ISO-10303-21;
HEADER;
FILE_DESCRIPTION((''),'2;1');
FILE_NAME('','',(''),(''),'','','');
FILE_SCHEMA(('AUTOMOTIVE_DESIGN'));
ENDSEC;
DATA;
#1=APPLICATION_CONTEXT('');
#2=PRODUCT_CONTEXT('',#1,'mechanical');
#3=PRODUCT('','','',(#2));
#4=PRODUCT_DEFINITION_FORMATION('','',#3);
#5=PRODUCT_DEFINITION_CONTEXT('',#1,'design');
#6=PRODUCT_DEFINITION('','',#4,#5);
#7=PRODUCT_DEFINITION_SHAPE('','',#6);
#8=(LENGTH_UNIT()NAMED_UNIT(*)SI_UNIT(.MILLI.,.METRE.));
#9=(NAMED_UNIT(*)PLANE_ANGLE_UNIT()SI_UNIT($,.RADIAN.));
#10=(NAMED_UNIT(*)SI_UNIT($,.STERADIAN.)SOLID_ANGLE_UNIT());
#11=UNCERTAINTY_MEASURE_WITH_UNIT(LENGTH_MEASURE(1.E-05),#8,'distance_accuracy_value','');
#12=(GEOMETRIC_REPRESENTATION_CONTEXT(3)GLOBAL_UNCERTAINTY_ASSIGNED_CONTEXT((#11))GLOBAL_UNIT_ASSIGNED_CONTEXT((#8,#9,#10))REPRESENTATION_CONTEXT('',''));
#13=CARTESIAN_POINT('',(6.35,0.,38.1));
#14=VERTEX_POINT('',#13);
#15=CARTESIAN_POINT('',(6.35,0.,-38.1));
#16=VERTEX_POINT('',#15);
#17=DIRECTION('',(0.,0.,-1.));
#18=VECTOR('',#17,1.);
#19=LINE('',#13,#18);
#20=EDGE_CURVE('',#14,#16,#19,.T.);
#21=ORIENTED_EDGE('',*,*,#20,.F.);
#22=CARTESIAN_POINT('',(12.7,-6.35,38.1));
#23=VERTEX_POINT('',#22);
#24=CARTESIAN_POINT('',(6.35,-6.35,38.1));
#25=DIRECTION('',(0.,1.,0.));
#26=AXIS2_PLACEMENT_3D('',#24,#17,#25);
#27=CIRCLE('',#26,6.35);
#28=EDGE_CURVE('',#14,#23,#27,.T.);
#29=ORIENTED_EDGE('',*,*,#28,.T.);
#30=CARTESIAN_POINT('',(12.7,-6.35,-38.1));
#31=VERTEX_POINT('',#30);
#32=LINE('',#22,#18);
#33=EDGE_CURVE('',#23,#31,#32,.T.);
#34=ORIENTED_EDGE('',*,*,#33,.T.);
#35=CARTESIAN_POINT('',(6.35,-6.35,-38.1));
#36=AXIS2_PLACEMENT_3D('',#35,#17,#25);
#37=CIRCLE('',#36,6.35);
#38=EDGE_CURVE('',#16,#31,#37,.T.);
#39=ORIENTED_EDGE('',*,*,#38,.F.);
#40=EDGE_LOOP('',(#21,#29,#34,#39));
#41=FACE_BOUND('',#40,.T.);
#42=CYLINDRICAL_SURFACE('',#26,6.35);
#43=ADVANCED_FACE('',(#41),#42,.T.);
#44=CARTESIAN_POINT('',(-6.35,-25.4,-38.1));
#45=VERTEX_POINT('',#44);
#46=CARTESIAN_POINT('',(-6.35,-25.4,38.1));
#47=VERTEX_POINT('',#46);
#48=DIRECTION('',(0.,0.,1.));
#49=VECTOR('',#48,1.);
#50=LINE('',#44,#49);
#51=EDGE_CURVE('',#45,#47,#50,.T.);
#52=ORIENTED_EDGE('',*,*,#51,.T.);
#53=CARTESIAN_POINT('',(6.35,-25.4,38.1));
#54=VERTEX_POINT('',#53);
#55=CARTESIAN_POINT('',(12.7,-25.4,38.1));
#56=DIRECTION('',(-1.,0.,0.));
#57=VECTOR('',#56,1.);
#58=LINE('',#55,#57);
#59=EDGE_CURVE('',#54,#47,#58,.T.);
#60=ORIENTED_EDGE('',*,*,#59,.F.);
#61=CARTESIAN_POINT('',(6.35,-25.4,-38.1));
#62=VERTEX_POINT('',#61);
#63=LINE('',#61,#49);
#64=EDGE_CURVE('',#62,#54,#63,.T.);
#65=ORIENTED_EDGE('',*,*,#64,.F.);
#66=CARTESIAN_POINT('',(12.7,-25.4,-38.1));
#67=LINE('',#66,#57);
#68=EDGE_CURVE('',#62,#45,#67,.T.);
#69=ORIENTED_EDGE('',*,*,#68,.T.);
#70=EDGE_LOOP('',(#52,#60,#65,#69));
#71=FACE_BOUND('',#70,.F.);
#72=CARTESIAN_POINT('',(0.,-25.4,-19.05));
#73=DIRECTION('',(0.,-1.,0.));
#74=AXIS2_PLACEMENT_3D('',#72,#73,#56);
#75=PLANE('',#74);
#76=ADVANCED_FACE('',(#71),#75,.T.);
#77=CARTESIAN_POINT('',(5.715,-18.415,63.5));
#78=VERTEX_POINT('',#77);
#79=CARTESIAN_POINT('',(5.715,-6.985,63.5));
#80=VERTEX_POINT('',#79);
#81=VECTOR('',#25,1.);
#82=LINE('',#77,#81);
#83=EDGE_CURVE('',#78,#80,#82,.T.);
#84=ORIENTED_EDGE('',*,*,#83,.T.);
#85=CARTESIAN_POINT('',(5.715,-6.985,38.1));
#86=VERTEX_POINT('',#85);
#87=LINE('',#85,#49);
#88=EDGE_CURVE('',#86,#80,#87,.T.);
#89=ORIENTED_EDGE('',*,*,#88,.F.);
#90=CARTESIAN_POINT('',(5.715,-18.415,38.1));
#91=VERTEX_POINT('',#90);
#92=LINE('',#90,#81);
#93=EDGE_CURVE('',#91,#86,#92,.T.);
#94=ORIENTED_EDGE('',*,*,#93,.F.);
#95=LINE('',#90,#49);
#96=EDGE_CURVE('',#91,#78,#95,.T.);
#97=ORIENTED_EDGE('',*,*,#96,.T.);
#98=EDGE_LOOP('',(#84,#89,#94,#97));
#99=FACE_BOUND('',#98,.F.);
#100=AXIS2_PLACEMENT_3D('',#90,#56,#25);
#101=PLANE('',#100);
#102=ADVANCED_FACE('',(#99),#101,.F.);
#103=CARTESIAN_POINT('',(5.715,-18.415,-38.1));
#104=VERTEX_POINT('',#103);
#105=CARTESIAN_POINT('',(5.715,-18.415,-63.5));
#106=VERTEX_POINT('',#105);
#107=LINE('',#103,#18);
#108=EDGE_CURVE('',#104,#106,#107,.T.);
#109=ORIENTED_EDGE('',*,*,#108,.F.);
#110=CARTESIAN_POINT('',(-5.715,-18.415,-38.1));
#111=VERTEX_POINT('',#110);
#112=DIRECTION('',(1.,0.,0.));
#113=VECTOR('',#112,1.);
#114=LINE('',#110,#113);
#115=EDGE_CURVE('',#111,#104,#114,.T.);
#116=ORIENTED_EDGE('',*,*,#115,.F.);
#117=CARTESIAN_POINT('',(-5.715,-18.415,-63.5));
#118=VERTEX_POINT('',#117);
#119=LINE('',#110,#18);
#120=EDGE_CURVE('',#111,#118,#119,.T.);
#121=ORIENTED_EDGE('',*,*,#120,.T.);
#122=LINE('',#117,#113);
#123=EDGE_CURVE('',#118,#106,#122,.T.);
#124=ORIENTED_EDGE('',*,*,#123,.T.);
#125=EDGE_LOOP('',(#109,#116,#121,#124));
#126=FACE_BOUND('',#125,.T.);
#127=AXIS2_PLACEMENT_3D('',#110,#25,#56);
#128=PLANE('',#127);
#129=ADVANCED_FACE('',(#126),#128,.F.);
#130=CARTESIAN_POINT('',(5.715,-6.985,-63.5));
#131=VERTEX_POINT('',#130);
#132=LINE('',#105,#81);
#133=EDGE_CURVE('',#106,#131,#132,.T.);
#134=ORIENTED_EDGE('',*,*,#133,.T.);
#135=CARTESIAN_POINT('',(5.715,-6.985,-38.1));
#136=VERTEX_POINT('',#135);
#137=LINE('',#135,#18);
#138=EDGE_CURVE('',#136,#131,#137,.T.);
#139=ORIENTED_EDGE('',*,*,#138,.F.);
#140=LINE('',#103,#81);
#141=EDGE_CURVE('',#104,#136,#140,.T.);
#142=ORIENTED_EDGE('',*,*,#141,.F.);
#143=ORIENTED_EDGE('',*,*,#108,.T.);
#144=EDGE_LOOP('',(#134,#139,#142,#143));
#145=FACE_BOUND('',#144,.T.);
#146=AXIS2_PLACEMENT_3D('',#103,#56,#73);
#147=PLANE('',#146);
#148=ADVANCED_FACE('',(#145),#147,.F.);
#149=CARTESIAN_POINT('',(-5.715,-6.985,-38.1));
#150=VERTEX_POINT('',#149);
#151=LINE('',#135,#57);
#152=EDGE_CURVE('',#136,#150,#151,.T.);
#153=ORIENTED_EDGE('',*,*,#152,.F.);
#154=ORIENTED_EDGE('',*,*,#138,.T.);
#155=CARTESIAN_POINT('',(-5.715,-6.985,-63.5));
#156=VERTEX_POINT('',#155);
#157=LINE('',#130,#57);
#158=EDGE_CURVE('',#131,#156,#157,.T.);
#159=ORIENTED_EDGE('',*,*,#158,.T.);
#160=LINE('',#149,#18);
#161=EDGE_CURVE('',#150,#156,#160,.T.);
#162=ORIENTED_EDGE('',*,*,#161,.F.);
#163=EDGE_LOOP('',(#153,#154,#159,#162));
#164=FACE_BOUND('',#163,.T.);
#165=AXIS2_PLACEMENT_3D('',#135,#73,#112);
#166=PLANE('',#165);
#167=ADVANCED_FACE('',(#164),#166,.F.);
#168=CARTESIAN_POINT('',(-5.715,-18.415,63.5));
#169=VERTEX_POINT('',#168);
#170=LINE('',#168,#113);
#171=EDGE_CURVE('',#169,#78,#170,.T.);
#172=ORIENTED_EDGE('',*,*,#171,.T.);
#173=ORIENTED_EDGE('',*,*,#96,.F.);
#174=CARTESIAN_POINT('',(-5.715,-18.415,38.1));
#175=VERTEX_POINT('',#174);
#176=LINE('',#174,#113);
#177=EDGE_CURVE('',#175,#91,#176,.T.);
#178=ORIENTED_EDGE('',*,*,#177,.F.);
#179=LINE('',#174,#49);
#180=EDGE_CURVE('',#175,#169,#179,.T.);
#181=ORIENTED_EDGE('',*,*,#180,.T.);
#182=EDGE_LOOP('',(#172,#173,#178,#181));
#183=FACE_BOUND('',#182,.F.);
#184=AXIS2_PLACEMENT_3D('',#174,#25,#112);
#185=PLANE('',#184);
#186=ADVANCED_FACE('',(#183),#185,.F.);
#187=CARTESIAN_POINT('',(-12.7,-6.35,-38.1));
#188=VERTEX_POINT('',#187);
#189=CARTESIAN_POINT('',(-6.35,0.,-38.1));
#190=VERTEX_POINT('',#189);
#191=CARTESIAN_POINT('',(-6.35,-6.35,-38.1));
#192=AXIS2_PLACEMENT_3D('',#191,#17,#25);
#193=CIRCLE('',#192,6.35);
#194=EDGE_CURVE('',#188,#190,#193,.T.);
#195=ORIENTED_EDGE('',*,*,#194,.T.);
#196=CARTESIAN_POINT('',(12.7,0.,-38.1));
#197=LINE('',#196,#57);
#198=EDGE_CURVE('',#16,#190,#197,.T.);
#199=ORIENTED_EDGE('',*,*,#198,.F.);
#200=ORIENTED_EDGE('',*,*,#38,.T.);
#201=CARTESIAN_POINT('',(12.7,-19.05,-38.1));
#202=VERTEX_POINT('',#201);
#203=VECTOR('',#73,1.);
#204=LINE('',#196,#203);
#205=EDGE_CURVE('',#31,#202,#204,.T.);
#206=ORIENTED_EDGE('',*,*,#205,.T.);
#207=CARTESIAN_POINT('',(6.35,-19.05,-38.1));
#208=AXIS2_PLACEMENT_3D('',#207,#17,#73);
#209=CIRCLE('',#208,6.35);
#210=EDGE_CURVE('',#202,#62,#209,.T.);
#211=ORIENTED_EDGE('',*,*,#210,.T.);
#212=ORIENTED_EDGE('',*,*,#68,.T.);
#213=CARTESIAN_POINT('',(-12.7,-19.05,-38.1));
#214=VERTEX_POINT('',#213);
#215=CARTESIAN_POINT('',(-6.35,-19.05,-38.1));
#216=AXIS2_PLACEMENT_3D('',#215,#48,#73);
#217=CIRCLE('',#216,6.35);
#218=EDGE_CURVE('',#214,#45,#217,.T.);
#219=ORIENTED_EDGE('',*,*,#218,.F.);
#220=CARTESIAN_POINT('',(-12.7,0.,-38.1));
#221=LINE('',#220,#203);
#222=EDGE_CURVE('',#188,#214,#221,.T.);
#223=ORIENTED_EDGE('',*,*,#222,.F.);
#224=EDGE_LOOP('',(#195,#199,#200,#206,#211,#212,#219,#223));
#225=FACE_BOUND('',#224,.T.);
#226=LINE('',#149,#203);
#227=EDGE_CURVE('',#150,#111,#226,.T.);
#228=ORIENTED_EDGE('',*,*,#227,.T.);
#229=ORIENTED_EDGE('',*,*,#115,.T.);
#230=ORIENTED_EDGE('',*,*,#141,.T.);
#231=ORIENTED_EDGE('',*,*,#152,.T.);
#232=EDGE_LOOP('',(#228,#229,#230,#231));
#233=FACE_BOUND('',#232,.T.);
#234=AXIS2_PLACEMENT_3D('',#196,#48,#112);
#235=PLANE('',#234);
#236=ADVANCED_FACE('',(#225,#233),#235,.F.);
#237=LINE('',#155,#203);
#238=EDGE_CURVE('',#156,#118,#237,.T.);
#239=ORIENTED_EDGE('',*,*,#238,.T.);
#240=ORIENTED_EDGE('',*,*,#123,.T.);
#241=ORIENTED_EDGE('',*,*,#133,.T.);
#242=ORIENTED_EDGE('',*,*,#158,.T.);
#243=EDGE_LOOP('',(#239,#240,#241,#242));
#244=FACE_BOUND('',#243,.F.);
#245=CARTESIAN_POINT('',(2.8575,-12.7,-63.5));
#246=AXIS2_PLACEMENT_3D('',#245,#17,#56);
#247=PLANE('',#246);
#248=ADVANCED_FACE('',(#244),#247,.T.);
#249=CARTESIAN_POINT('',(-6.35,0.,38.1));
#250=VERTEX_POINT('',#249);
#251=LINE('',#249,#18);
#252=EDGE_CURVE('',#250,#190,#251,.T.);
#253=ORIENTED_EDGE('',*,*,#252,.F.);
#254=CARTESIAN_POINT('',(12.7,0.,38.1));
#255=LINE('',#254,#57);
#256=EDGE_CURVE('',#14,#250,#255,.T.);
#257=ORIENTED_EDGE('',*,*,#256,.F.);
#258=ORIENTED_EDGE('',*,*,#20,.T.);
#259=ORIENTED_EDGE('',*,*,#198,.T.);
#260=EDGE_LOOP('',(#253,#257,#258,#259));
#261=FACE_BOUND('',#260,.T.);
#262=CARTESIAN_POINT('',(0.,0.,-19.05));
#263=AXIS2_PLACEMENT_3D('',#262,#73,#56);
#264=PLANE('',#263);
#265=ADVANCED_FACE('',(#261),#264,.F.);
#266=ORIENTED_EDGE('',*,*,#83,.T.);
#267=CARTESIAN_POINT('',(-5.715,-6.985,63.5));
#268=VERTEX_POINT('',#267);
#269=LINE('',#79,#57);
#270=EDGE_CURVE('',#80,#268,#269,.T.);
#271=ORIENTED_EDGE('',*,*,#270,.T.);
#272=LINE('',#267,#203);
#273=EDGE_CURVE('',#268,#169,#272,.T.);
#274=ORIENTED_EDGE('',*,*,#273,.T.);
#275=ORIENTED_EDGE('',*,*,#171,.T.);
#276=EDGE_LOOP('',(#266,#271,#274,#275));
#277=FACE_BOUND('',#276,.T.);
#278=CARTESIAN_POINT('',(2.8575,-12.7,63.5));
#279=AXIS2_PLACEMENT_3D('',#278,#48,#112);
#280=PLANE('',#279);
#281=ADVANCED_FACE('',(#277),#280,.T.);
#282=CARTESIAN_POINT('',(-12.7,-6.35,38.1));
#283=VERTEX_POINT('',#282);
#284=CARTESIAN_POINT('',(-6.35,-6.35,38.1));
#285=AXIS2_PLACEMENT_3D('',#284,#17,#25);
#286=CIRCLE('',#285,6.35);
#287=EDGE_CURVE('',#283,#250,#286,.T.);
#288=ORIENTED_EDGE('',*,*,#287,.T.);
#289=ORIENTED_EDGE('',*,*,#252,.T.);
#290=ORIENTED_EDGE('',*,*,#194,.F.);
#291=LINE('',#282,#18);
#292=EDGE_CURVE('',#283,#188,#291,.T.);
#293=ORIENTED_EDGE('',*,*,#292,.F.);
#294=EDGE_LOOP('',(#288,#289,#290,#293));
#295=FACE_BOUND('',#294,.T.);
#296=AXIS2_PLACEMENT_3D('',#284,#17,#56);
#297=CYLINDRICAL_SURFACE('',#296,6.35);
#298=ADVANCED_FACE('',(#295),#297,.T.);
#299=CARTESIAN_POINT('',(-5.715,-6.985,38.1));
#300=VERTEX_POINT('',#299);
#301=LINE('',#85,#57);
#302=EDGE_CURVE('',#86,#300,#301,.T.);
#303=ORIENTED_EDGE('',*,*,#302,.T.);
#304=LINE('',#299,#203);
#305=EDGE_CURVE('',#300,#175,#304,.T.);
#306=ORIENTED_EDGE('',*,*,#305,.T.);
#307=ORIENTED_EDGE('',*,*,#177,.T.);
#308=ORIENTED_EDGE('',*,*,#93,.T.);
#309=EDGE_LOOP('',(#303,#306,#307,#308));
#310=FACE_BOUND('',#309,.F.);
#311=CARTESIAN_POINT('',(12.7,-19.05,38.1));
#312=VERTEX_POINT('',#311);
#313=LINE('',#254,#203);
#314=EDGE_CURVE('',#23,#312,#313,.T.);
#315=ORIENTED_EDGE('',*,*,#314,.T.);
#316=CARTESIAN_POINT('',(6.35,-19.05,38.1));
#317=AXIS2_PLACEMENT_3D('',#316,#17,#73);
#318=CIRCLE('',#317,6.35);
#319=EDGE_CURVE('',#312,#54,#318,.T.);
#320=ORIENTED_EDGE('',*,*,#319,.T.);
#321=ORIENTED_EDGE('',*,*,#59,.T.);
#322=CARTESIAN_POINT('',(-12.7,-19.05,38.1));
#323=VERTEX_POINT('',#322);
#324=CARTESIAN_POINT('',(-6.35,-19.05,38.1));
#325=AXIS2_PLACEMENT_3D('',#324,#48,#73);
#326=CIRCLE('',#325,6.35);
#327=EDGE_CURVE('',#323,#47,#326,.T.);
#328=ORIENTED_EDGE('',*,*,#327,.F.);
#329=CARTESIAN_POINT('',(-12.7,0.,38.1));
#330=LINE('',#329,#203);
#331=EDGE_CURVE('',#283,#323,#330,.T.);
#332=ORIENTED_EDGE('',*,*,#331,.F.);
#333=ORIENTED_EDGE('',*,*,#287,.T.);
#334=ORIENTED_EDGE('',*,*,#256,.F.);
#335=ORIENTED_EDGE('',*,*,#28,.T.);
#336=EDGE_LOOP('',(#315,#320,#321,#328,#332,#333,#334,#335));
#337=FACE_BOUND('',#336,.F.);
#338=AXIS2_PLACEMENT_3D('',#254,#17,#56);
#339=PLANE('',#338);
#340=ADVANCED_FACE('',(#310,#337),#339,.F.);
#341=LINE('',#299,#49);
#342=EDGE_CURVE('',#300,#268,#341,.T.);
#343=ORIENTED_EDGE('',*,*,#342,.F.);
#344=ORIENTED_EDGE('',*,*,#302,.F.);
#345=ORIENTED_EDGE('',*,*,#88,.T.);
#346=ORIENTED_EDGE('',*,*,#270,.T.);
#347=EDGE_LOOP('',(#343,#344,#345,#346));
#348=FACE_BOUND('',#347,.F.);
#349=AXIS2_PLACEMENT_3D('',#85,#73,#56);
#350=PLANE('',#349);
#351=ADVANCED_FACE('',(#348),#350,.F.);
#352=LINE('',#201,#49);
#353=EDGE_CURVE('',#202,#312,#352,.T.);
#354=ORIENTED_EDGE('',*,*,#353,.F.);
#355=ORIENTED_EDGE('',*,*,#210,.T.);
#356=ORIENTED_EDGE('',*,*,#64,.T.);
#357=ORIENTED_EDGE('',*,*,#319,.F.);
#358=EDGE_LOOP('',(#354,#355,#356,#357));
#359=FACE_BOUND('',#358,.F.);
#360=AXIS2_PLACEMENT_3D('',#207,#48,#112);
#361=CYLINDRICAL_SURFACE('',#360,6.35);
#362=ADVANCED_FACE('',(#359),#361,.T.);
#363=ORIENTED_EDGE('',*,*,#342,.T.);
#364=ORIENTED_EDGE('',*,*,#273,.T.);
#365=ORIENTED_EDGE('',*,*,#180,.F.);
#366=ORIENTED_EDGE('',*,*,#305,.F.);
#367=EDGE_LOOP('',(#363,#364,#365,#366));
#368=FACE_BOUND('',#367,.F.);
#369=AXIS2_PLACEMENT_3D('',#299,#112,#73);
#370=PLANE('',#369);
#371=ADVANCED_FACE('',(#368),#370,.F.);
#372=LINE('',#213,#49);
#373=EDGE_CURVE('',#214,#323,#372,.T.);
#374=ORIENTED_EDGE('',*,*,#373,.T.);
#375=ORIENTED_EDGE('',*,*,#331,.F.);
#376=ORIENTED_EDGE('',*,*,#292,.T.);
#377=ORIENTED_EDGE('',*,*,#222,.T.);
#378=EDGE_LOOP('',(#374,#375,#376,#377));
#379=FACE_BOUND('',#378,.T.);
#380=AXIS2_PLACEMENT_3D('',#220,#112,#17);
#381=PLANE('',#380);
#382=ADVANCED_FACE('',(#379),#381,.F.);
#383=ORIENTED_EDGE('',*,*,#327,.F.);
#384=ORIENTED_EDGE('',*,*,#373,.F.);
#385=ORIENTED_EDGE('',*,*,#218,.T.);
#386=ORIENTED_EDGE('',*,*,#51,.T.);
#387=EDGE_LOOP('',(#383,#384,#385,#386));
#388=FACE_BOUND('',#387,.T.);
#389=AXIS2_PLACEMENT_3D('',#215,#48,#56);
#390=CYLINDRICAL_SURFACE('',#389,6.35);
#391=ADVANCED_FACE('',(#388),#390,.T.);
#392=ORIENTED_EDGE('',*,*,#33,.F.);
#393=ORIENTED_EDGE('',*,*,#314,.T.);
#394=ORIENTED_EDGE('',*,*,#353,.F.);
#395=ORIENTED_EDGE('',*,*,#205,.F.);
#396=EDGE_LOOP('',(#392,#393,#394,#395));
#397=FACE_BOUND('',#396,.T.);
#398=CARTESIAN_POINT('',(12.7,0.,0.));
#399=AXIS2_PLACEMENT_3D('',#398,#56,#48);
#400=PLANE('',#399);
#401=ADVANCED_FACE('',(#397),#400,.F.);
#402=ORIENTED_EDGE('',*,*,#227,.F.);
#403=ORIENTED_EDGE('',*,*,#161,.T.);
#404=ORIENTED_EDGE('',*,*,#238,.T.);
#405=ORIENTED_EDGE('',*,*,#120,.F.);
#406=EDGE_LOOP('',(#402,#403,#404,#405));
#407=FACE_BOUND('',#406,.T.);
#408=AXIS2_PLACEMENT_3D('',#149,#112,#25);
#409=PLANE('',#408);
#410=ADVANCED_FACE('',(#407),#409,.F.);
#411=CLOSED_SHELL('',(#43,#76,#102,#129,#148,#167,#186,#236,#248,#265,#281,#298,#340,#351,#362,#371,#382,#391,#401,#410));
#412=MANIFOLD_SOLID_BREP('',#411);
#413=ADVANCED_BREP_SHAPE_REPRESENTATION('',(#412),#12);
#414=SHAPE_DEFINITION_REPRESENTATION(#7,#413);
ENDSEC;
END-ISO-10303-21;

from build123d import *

# Parameters (mm, degrees)
F1_DEPTH = 25.4
F3_DEPTH = 25.4
F5_R     = 6.35


with BuildPart() as f1:
    # F0 (on Front) → F1 (new body)
    with BuildSketch(Plane.XZ):
        Polygon((-12.7, 0), (0, 0), (12.7, 0), (12.7, 38.1), (0, 38.1), (-12.7, 38.1), align=None)
    extrude(amount=F1_DEPTH)

    # F2 (on face) → F3 (join)
    with BuildSketch(Plane.XY.offset(38.1)):
        Polygon((5.715, -6.985), (0, -6.985), (0, -12.7), (0, -18.415), (5.715, -18.415), align=None)
        Polygon((0, -12.7), (0, -6.985), (-5.715, -6.985), (-5.715, -18.415), (0, -18.415), align=None)
    extrude(amount=F3_DEPTH)

    # F4: F1 across plane


with BuildPart() as f1_1:
    add(f1.part)
    add(f1.part.mirror(Plane.XY))

    # F5
    f5_edges = [f1_1.edges().sort_by_distance(p)[0] for p in [
        (12.7, 0, 0),
        (12.7, -25.4, 0),
        (-12.7, 0, 0),
        (-12.7, -25.4, 0),
    ]]
    fillet(f5_edges, radius=F5_R)


solid = f1_1.part
